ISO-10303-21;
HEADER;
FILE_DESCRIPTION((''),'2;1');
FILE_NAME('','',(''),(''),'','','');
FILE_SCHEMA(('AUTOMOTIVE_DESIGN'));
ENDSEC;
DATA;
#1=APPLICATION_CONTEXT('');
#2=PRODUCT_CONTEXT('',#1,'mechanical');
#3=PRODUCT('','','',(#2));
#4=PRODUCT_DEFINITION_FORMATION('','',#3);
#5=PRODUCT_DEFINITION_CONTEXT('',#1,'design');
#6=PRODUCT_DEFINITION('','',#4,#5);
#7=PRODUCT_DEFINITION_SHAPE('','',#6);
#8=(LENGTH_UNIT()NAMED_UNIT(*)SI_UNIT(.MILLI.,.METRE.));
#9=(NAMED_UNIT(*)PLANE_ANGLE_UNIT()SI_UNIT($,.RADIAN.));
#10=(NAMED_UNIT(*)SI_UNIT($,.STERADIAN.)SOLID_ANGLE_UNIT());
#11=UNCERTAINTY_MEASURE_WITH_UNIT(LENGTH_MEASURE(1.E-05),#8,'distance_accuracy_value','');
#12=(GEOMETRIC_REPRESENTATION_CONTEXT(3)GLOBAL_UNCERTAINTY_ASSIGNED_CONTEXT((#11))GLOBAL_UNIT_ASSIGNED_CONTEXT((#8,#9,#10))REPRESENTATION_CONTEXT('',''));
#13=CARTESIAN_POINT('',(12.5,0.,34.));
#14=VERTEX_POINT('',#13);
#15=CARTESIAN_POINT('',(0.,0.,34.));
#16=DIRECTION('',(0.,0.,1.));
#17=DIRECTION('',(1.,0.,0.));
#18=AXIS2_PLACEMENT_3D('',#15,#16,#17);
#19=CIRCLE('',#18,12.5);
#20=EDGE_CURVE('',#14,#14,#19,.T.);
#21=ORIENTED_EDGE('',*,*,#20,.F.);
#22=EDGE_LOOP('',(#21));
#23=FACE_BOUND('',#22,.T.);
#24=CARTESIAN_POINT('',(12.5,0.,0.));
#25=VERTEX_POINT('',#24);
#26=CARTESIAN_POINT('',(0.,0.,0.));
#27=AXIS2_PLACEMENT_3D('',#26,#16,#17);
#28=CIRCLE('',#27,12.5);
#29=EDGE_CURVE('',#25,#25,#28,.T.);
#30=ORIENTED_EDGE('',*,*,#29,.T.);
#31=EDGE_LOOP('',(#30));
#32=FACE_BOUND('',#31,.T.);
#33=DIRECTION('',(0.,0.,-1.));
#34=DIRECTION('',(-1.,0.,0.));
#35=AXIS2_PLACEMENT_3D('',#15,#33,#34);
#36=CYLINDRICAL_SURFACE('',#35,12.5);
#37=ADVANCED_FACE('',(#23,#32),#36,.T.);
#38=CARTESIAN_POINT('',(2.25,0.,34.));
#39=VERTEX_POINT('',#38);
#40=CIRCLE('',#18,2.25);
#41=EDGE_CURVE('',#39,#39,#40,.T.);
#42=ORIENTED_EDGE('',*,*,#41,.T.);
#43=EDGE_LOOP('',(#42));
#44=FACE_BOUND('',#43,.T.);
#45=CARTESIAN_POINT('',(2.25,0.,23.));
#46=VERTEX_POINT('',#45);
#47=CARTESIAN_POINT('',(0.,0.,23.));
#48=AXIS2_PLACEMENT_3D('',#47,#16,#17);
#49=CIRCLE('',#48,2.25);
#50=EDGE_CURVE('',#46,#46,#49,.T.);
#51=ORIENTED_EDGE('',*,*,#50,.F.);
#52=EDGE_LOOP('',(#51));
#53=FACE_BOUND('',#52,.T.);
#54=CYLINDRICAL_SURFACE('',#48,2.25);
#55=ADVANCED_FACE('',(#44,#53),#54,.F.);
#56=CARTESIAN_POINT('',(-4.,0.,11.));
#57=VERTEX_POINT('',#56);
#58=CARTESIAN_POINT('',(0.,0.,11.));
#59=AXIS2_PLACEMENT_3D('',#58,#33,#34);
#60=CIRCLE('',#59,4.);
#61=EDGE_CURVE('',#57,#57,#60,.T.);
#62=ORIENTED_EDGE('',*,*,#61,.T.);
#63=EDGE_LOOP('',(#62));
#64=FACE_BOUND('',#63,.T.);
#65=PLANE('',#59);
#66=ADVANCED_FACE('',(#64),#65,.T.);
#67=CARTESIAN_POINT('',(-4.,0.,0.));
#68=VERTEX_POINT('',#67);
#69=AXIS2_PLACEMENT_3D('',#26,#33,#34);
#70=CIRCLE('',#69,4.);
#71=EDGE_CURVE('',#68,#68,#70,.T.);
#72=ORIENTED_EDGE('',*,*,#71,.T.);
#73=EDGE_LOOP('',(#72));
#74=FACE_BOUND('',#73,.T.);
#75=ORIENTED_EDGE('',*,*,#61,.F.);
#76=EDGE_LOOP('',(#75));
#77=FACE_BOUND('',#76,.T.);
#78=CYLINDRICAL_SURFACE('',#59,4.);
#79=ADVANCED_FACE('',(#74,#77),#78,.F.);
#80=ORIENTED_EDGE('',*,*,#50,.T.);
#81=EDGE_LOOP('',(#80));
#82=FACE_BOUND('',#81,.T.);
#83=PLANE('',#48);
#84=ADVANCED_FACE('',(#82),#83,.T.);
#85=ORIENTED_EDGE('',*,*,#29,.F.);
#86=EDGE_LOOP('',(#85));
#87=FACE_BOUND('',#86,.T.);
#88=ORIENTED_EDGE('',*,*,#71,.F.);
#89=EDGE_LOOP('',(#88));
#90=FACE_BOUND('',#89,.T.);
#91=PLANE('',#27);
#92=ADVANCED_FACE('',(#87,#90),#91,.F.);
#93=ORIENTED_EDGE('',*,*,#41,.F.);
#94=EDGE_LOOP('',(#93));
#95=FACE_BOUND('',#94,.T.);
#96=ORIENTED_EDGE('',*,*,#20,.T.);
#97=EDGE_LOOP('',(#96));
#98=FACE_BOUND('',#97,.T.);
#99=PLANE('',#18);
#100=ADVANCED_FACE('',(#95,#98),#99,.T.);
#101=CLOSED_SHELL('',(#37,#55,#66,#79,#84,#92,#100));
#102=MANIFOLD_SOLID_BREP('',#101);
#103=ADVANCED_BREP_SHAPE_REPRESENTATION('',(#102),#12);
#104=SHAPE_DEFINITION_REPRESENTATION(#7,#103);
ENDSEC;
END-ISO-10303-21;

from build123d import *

# Parameters (mm, degrees)
SKETCH_1_R          = 12.5
EXTRUDE_1_DEPTH     = 34
SKETCH_2_R          = 2.25
CUT_EXTRUDE_1_DEPTH = 11
SKETCH_3_R          = 4
CUT_EXTRUDE_2_DEPTH = 11


with BuildPart() as part:
    # 草图1 → 凸台-拉伸1 (new body)
    with BuildSketch(Plane.XY):
        Circle(SKETCH_1_R)
    extrude(amount=EXTRUDE_1_DEPTH)

    # 草图2 → 切除-拉伸1 (cut)
    with BuildSketch(Plane.XY.offset(34)):
        Circle(SKETCH_2_R)
    extrude(amount=-CUT_EXTRUDE_1_DEPTH, mode=Mode.SUBTRACT)

    # 草图3 → 切除-拉伸2 (cut)
    with BuildSketch(Plane(origin=(0, 0, 0), x_dir=(-1, 0, 0), z_dir=(0, 0, -1))):
        Circle(SKETCH_3_R)
    extrude(amount=-CUT_EXTRUDE_2_DEPTH, mode=Mode.SUBTRACT)


solid = part.part
